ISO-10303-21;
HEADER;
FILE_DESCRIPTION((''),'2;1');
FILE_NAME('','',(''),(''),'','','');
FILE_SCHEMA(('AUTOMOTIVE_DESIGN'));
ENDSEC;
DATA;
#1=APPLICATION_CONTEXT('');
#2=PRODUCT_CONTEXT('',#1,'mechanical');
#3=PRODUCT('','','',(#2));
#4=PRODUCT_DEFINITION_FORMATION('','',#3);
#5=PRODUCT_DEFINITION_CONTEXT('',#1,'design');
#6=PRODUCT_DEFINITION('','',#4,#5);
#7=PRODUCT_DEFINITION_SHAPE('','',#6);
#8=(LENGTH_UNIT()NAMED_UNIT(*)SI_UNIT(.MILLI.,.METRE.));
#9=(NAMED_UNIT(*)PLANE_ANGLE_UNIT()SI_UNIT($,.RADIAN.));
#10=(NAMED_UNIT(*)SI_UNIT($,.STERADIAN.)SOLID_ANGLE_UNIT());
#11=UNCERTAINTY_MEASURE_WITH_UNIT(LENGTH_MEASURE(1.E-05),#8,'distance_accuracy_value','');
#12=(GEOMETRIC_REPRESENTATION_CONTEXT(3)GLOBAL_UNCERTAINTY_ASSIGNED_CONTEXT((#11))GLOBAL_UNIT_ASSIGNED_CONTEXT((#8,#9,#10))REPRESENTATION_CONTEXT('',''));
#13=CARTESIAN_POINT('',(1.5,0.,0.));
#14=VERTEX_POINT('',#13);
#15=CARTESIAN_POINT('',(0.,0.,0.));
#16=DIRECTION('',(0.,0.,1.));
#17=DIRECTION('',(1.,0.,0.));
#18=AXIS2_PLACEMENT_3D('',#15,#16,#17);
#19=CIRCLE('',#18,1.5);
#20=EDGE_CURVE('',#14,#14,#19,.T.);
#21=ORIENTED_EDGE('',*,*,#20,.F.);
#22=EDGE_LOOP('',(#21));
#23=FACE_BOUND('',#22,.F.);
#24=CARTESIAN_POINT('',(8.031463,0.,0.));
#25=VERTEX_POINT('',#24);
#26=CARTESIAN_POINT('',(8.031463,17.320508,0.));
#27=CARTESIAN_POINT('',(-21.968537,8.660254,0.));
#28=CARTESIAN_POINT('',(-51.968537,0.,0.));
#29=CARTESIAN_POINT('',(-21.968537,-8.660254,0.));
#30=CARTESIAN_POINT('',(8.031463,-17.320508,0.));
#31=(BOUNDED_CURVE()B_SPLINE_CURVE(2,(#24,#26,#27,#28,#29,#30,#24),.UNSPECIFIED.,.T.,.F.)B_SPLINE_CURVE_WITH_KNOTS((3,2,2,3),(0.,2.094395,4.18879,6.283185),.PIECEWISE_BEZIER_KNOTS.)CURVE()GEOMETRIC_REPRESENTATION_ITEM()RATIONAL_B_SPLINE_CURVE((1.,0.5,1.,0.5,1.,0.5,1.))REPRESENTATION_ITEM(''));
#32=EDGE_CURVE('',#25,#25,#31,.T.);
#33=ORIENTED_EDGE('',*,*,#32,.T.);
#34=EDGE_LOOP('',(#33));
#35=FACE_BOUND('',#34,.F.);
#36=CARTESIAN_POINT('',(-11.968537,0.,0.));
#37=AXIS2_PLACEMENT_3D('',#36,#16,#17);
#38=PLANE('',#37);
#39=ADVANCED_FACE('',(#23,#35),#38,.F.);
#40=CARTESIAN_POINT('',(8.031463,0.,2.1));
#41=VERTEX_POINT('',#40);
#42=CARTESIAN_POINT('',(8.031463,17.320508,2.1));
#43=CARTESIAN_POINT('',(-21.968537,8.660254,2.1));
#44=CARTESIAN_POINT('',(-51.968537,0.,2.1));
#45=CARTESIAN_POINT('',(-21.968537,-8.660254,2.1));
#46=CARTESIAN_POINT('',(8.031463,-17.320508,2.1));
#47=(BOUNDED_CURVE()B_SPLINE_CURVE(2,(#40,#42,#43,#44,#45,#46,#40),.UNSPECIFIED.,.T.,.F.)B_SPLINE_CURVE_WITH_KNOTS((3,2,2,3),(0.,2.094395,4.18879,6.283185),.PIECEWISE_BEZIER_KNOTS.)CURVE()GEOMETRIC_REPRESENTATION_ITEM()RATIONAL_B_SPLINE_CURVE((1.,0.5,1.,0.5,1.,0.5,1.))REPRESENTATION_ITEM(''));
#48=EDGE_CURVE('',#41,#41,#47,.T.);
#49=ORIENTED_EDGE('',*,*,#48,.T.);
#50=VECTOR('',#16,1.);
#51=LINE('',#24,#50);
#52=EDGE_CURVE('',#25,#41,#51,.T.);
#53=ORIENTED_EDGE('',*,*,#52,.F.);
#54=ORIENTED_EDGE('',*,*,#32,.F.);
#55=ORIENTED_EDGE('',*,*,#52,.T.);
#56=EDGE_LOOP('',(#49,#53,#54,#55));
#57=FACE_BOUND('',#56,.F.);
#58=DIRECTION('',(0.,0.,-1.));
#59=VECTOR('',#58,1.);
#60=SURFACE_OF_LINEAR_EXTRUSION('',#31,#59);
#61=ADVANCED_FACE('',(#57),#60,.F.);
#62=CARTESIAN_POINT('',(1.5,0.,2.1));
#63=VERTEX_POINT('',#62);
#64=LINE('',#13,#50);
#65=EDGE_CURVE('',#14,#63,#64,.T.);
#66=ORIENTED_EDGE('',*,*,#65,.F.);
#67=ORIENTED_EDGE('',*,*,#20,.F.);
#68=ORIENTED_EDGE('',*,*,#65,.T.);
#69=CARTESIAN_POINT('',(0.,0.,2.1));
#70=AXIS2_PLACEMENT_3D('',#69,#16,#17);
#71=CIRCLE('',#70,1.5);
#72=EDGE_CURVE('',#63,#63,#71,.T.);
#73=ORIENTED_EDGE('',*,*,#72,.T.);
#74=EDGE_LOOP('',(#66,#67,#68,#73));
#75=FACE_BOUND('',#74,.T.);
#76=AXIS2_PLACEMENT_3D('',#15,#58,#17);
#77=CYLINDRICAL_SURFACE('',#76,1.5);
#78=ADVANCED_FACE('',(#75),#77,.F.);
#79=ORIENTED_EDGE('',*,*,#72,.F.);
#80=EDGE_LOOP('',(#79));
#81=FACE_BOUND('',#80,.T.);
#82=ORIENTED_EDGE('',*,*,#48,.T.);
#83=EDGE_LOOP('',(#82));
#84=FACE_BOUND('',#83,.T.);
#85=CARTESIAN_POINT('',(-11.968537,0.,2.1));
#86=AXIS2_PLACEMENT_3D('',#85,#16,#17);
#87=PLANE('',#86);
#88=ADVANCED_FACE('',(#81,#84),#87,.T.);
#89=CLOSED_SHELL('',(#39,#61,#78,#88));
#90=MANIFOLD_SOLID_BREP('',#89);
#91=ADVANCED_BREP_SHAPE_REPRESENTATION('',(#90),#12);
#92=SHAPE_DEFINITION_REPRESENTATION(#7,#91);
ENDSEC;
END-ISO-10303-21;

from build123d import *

# Parameters (mm, degrees)
F0_R     = 1.5
F1_DEPTH = 2.1


with BuildPart() as f1:
    # F0 (on Top) → F1 (new body)
    with BuildSketch(Plane.XY):
        with BuildLine():
            add(Edge.make_bspline(
                [(8.031463, 0), (8.031463, 17.320508), (-21.968537, 8.660254), (-51.968537, 0), (-21.968537, -8.660254), (8.031463, -17.320508), (8.031463, 0)],
                knots=[0, 0, 0, 2.094395, 2.094395, 4.18879, 4.18879, 6.283185, 6.283185, 6.283185], degree=2, weights=[1, 0.5, 1, 0.5, 1, 0.5, 1]))
        make_face()
        Circle(F0_R, mode=Mode.SUBTRACT)
    extrude(amount=F1_DEPTH)


solid = f1.part
